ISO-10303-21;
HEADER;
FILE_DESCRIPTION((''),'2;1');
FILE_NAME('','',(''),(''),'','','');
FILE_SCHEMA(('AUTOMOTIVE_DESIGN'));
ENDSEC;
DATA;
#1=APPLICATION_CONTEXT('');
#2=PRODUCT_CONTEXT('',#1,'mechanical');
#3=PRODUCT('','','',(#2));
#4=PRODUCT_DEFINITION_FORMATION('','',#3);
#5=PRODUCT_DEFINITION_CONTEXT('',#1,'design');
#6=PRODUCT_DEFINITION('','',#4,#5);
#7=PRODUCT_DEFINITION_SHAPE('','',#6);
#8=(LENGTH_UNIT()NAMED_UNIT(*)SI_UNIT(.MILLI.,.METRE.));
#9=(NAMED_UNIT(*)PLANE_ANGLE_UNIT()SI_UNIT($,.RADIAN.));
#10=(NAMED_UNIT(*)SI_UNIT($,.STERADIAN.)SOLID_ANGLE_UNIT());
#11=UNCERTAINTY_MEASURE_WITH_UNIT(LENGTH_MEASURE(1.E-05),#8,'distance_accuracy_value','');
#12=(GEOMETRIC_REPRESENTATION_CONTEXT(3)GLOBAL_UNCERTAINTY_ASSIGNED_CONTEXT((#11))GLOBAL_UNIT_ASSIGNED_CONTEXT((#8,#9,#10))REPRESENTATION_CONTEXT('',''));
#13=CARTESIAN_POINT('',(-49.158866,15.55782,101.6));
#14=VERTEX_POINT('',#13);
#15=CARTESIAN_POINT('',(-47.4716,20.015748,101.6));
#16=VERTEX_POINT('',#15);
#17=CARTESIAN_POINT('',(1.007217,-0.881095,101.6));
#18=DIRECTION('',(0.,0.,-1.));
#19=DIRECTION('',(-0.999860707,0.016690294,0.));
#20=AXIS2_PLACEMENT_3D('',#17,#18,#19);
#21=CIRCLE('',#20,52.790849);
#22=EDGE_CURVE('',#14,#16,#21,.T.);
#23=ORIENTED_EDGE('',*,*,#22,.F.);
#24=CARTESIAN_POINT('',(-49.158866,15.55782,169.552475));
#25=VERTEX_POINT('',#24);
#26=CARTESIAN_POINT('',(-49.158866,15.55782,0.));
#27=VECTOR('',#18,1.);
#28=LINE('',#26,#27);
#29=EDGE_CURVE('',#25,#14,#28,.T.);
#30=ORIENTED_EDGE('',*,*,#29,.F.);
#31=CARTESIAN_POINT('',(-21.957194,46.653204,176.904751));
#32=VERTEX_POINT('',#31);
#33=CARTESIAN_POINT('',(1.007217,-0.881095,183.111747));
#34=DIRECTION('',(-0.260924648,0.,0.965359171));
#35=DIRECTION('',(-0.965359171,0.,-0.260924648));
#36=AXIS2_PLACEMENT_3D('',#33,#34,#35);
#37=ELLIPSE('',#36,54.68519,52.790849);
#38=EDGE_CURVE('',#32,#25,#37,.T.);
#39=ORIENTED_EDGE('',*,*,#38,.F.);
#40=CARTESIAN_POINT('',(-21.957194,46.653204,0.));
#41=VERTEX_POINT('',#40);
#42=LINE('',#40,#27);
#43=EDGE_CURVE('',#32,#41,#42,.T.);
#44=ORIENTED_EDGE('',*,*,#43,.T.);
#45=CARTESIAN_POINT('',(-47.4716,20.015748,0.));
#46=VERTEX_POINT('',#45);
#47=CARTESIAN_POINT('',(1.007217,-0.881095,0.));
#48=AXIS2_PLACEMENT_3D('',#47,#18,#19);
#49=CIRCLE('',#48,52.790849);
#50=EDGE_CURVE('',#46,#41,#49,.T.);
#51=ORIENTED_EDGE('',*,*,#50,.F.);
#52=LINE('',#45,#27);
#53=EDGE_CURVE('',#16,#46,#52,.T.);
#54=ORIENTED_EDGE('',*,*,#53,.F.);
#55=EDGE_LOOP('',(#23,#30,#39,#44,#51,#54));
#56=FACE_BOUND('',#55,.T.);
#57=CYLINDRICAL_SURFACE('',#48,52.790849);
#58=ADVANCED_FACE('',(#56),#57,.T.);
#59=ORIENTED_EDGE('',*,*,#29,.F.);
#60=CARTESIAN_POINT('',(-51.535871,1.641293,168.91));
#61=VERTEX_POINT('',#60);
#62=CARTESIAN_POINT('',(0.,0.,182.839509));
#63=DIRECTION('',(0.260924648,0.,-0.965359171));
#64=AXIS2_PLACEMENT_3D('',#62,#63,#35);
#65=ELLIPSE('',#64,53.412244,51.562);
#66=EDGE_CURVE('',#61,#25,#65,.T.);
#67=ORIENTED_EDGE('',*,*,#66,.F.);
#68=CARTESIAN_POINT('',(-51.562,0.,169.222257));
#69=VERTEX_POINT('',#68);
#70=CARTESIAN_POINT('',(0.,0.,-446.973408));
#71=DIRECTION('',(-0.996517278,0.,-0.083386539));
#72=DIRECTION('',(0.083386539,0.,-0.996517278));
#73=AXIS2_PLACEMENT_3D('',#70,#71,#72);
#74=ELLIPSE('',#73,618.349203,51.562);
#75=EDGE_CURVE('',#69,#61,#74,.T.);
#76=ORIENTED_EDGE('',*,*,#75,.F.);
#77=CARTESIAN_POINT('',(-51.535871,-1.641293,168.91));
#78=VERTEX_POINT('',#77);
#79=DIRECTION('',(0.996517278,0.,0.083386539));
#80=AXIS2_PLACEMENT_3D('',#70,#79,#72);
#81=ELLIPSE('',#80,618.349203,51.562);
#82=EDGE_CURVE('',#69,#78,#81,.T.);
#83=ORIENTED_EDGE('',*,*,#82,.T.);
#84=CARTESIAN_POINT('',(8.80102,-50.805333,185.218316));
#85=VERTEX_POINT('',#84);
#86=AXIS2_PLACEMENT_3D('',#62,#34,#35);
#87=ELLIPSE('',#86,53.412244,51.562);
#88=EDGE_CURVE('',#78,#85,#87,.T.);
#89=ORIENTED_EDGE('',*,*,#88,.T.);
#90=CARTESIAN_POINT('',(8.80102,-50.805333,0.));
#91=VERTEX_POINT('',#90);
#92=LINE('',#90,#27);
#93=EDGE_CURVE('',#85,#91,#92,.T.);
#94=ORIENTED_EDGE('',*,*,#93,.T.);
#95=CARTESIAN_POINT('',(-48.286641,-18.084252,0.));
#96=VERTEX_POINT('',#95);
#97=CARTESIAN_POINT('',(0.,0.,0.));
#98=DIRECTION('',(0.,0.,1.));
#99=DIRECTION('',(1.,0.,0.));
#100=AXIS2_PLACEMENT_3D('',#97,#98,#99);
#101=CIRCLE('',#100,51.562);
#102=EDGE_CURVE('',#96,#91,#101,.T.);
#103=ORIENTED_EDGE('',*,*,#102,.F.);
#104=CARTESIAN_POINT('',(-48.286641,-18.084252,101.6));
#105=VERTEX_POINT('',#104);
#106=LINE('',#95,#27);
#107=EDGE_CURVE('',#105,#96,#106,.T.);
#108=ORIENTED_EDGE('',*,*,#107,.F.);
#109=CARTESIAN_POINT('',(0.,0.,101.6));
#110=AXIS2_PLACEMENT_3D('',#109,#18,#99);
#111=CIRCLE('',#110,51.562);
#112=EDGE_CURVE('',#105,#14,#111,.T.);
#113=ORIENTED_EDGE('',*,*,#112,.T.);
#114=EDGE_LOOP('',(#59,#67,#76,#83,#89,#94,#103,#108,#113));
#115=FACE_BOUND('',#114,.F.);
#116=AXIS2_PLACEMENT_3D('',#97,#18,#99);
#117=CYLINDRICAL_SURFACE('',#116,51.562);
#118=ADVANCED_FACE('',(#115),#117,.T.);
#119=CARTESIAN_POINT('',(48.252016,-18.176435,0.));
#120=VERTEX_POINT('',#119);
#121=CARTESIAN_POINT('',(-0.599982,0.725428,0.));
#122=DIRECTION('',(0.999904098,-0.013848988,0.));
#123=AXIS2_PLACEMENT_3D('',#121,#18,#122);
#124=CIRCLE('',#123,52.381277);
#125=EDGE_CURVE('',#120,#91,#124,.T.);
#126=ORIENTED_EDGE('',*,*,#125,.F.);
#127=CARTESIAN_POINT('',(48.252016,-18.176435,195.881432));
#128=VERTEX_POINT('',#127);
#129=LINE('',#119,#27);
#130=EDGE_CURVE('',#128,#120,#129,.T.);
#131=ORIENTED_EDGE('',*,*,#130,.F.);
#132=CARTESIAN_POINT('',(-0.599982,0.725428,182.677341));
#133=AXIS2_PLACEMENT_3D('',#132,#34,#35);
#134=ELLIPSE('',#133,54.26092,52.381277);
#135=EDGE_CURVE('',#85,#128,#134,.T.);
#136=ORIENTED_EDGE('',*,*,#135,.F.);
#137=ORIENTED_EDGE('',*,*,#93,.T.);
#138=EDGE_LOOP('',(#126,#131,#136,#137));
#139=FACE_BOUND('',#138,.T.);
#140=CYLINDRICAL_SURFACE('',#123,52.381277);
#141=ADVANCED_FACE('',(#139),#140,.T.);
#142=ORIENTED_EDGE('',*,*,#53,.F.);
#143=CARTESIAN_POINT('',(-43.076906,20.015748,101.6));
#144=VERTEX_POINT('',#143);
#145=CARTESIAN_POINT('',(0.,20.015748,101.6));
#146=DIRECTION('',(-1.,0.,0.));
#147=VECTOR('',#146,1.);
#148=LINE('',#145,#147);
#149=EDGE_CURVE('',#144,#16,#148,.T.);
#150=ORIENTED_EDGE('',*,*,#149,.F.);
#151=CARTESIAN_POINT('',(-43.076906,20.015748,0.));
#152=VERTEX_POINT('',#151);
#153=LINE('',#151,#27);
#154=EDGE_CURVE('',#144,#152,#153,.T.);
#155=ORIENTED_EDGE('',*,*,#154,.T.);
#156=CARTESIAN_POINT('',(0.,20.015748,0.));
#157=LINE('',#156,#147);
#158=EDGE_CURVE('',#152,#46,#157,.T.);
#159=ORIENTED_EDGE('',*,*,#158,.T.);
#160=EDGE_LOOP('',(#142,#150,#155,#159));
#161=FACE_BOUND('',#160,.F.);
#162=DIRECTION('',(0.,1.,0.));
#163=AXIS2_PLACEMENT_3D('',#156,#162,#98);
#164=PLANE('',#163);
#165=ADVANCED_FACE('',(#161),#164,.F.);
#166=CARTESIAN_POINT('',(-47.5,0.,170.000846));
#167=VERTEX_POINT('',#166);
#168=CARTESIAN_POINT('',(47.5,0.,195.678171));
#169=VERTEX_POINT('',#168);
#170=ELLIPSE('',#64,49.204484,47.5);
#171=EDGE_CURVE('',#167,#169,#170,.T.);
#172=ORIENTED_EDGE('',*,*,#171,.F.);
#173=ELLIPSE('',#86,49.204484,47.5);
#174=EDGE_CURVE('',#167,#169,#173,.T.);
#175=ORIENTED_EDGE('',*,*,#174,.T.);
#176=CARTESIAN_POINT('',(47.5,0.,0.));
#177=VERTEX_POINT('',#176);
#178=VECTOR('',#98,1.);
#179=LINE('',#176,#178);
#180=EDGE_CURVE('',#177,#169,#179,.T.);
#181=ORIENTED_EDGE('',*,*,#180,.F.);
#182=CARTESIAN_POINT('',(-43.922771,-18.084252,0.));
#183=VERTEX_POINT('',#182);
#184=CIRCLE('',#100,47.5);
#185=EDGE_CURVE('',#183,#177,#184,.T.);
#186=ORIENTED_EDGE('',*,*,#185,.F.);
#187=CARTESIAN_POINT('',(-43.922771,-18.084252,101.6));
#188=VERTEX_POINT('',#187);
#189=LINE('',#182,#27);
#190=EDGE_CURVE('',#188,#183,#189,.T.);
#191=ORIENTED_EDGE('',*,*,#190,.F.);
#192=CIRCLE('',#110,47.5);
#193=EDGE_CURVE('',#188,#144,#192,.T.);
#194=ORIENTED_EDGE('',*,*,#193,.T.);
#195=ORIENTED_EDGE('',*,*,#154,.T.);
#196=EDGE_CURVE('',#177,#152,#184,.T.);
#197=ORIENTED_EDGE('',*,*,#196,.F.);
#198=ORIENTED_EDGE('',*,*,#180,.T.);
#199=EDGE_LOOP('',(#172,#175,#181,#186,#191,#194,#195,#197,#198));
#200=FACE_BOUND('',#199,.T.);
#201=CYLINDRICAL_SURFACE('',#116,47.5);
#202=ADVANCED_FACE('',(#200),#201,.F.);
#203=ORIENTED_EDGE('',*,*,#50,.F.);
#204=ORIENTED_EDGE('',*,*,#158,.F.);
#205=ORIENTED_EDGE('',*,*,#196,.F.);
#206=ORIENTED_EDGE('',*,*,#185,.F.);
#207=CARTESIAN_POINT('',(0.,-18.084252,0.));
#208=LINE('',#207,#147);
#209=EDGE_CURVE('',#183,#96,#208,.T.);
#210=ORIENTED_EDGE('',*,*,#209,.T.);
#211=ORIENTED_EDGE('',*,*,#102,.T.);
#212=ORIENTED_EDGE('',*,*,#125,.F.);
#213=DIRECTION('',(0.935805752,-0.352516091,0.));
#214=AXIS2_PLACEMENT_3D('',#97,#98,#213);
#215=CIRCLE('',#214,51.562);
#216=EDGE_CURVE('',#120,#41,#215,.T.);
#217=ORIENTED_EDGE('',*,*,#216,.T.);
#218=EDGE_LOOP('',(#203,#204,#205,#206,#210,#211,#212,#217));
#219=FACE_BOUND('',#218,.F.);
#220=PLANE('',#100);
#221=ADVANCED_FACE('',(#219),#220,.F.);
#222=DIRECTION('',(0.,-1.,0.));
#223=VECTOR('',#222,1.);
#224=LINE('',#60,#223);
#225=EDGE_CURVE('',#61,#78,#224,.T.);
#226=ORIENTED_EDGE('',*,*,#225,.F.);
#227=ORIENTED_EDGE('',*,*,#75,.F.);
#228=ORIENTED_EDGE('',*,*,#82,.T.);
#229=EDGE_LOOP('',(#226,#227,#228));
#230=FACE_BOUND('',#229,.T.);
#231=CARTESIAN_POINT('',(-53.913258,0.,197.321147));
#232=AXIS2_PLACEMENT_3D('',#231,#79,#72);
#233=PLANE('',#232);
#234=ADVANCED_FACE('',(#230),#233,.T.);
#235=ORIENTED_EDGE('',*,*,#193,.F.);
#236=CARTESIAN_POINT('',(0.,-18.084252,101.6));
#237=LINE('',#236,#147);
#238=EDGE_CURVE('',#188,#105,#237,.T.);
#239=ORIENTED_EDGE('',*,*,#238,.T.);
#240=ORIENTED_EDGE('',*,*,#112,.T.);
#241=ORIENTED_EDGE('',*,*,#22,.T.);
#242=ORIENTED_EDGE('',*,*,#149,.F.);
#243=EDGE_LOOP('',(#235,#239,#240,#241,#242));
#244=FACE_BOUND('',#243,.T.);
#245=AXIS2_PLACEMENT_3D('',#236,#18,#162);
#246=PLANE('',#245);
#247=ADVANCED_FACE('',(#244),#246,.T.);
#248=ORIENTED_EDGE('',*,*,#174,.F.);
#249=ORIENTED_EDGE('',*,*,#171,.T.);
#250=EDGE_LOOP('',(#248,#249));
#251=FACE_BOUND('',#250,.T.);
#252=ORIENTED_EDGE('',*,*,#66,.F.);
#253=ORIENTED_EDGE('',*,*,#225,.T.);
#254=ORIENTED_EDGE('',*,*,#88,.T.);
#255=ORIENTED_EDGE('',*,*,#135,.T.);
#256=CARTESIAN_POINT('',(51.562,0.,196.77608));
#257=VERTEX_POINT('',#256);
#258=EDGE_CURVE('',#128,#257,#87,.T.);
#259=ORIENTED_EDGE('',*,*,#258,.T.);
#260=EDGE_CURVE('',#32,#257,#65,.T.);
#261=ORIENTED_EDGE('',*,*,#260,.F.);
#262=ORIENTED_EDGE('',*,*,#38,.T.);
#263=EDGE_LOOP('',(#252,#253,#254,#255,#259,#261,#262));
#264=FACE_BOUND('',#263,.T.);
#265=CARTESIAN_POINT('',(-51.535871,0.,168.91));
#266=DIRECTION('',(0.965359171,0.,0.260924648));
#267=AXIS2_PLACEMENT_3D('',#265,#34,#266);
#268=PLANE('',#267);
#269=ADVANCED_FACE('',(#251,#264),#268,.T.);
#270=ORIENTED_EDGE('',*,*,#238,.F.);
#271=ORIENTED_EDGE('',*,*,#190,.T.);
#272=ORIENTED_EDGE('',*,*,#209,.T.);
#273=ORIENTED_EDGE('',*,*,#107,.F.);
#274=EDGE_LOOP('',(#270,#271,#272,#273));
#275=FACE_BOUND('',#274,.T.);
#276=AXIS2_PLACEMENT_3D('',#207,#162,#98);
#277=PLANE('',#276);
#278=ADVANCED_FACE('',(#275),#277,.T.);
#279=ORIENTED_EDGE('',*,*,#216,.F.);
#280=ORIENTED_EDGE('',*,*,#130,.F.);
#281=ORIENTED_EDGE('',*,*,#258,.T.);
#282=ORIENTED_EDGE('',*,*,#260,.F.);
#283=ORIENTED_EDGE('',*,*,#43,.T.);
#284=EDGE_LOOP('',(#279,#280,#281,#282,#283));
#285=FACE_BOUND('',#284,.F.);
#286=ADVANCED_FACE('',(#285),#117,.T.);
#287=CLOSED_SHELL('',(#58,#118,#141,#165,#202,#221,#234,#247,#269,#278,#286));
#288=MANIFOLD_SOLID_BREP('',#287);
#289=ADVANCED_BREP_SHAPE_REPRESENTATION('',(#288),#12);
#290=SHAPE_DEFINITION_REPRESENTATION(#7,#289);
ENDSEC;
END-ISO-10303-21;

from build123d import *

# Parameters (mm, degrees)
F0_R          = 51.562
F0_R_2        = 47.5
F1_DEPTH      = 196.85
F3_DEPTH      = 61
F3_DEPTH_BACK = 74
F4_W          = 38.1
F4_H          = 101.6
F5_DEPTH      = 61
F7_DEPTH      = 222


with BuildPart() as f1:
    # F0 (on Top) → F1 (new body)
    with BuildSketch(Plane.XY):
        Circle(F0_R)
        Circle(F0_R_2, mode=Mode.SUBTRACT)
    extrude(amount=F1_DEPTH)

    # F2 (on Front) → F3 (cut, two sides)
    with BuildSketch(Plane.XZ) as f3_sk:
        Polygon((-53.913258, 197.321147), (-51.535871, 168.91), (53.578619, 197.321147), align=None)
    extrude(amount=F3_DEPTH, mode=Mode.SUBTRACT)
    extrude(f3_sk.sketch, amount=-F3_DEPTH_BACK, mode=Mode.SUBTRACT)

    # F4 (on Right) → F5 (cut)
    with BuildSketch(Plane.YZ):
        with Locations((0.965748, 50.8)):
            Rectangle(F4_W, F4_H)
    extrude(amount=-F5_DEPTH, mode=Mode.SUBTRACT)

    # F6 (on Top) → F7 (cut)
    with BuildSketch(Plane.XY):
        Polygon((-55.258796, 55.121914), (-55.258796, 0), (-55.258796, -56.109432), (54.045163, -56.109432), (54.045163, 51.900145), align=None)
        with BuildLine():
            ThreePointArc((-51.776279, 0), (-36.366122, 36.403048), (0, 51.900145))
            ThreePointArc((0, 51.900145), (36.452456, 36.489178), (51.776271, 0))
            ThreePointArc((51.776271, 0), (36.394792, -36.358057), (0, -51.652413))
            ThreePointArc((0, -51.652413), (-36.488721, -36.452209), (-51.776279, 0))
        make_face(mode=Mode.SUBTRACT)
    extrude(amount=F7_DEPTH, mode=Mode.SUBTRACT)


solid = f1.part
